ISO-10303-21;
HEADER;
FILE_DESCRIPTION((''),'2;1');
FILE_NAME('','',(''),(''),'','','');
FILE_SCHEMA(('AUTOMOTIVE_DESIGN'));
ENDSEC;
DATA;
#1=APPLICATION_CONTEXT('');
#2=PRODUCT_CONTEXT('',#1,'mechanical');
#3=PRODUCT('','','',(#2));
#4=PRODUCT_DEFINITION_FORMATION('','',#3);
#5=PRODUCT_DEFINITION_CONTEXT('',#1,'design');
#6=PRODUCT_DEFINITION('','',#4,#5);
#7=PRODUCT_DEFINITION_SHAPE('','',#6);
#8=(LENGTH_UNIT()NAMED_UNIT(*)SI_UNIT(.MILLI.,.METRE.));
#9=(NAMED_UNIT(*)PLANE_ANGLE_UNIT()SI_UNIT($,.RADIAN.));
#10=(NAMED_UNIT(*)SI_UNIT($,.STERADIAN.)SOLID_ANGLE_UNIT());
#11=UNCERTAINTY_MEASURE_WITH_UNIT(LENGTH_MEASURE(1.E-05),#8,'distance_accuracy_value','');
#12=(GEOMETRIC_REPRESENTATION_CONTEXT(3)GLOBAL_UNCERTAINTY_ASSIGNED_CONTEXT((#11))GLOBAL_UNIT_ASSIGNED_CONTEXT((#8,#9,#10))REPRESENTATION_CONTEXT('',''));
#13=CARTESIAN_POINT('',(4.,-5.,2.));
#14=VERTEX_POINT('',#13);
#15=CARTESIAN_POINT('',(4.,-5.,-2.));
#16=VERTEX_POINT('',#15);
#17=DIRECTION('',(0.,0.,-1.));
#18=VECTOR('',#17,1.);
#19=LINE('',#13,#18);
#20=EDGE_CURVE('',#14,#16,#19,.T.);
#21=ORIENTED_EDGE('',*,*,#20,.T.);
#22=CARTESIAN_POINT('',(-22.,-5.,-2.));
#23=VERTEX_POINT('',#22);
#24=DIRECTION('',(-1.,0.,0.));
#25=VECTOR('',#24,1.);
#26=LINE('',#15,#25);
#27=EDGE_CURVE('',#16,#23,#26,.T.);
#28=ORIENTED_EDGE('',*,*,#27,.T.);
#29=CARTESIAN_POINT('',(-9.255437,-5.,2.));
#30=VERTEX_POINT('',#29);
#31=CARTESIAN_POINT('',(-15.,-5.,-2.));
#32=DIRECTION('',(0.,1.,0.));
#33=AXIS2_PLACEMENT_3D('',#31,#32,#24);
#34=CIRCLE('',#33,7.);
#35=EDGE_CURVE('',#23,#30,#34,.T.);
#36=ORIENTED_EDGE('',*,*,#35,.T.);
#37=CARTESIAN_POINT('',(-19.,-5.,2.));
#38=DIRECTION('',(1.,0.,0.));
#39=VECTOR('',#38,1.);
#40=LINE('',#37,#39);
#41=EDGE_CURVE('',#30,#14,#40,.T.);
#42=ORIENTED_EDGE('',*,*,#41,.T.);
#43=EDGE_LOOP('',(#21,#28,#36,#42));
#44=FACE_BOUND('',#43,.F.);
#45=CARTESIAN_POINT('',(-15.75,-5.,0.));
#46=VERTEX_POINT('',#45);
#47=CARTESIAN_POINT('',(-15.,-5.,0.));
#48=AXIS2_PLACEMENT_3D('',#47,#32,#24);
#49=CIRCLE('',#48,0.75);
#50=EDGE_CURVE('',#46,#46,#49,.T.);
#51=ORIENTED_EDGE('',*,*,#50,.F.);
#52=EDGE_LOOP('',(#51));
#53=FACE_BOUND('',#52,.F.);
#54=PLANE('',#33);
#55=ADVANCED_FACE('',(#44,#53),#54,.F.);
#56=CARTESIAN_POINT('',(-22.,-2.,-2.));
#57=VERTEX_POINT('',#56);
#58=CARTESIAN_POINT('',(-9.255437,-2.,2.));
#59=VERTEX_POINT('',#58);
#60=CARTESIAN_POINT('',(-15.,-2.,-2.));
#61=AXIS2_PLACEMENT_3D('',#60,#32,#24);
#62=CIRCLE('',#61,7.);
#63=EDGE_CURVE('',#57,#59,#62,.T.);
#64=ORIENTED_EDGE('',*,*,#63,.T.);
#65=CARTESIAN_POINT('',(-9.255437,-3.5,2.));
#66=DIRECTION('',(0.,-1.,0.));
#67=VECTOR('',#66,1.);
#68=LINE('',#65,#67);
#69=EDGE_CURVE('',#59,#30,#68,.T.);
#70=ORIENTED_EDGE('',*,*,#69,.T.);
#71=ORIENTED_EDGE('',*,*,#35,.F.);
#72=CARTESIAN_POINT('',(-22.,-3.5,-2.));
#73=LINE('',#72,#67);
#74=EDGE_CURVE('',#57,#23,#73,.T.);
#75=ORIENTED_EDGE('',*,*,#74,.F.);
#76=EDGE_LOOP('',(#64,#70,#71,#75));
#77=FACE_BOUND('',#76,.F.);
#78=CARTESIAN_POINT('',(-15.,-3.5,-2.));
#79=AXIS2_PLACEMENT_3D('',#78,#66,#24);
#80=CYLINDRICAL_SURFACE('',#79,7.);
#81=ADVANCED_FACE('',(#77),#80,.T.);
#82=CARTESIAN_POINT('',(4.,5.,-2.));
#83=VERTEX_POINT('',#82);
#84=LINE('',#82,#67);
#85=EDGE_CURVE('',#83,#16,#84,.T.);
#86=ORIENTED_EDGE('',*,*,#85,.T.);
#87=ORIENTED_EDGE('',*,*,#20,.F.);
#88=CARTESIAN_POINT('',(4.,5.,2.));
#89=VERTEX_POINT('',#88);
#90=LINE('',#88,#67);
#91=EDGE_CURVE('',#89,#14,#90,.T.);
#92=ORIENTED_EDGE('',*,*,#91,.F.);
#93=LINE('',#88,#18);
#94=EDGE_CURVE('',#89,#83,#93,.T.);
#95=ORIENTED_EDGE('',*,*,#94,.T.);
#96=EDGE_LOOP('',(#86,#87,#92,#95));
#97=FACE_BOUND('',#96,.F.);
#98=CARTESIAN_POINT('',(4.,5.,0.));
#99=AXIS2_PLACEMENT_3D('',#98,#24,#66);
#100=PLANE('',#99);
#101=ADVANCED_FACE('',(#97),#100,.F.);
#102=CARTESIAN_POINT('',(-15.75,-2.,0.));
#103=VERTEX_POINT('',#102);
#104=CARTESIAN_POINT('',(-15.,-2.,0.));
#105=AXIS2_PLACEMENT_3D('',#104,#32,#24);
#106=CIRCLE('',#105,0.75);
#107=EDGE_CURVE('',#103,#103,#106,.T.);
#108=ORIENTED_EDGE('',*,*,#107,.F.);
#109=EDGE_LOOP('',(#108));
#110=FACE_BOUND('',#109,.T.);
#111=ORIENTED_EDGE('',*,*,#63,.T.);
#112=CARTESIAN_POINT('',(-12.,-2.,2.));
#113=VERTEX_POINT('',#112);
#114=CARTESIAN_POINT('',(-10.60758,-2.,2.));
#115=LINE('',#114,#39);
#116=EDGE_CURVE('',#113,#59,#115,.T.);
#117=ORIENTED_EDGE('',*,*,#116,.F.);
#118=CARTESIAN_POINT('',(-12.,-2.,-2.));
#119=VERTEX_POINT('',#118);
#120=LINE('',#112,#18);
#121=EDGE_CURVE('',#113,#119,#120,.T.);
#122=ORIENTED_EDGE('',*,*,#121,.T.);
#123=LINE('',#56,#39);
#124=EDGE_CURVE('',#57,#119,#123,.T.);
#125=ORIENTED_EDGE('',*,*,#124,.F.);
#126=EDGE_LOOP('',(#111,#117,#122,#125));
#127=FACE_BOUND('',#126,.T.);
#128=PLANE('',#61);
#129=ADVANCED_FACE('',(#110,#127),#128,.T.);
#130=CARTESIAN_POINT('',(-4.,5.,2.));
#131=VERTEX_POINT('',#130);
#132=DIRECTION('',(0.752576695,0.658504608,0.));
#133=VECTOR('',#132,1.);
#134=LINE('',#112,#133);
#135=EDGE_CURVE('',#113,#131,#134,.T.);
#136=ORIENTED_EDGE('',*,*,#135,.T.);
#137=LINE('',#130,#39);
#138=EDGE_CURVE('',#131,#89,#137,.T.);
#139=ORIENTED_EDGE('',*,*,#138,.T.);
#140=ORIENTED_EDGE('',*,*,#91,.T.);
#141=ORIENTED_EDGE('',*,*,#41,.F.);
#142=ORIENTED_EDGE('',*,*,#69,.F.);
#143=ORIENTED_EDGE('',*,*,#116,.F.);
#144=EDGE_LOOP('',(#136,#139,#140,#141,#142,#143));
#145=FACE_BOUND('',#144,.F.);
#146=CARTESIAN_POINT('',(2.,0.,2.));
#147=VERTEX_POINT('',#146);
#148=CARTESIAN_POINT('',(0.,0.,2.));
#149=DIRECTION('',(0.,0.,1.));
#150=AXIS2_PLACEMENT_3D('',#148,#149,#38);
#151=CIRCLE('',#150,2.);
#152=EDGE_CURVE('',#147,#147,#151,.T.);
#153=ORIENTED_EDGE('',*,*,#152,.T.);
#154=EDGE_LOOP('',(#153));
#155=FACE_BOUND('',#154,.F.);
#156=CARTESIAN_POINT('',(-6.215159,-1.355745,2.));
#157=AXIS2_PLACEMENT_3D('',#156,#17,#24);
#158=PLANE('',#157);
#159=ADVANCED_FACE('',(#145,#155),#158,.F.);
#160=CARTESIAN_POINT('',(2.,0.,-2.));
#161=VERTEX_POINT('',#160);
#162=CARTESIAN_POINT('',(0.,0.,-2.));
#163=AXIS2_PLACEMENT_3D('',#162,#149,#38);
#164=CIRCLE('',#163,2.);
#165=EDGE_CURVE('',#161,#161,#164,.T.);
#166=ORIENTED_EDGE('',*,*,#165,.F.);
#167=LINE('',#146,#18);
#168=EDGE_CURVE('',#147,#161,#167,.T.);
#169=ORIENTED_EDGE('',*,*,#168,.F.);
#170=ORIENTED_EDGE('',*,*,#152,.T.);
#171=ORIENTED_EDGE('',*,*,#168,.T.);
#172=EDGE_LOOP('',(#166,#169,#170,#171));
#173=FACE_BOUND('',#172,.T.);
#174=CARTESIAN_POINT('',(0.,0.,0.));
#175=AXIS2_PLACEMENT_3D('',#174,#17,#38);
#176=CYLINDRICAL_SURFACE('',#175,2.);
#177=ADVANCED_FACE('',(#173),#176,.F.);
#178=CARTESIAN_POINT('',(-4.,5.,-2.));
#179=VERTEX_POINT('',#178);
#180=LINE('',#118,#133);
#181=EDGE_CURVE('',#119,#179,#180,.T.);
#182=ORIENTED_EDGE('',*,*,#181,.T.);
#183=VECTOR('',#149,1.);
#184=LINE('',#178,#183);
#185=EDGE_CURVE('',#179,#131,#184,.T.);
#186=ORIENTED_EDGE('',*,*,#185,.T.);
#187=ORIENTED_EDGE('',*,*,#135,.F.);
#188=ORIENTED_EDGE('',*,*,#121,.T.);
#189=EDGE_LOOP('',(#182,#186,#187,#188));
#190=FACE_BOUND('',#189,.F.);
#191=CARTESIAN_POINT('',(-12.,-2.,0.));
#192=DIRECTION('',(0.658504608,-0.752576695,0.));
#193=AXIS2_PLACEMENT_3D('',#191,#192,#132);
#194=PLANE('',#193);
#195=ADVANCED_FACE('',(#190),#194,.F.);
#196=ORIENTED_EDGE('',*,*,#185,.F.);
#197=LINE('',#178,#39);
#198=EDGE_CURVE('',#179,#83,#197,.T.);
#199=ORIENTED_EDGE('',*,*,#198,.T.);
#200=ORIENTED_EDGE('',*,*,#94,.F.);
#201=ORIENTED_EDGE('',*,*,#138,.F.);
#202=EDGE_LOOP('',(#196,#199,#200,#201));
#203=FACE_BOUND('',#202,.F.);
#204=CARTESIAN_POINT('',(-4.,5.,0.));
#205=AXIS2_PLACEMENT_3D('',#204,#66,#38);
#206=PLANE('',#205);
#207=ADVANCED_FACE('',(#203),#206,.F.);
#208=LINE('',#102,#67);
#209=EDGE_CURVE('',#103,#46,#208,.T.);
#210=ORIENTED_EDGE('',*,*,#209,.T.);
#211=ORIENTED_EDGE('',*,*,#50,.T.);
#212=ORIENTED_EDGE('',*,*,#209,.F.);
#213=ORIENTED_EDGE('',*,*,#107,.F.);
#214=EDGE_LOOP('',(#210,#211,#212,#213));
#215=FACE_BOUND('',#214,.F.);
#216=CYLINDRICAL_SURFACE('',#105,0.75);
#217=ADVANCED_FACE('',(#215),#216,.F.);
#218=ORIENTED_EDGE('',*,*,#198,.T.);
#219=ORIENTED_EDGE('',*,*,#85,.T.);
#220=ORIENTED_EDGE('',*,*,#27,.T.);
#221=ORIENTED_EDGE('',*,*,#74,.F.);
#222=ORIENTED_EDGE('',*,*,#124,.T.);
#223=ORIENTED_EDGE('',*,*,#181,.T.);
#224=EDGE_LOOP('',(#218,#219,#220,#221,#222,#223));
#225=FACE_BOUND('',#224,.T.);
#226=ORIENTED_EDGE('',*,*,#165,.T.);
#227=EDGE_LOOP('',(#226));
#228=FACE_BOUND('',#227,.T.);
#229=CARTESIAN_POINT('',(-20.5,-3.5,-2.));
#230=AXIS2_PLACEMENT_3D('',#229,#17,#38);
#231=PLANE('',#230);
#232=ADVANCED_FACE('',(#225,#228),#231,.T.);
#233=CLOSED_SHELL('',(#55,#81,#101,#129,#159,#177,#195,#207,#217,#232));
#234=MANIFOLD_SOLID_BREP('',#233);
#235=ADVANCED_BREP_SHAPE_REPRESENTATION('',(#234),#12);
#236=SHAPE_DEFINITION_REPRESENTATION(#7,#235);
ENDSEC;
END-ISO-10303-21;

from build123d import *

# Parameters (mm, degrees)
SKETCH_R         = 2
EXTRUDE_DEPTH    = 2
SKETCH001_R      = 0.75
HOLE_DEPTH       = 3.001
SKETCH002_W      = 3
SKETCH002_H      = 3
REVOLUTION_ANGLE = -180


with BuildPart() as part:
    # Sketch → Extrude (new body, symmetric)
    with BuildSketch(Plane.XY):
        Polygon((-4, 5), (4, 5), (4, -5), (-4, -5), (-19, -5), (-19, -2), (-12, -2), align=None)
        Circle(SKETCH_R, mode=Mode.SUBTRACT)
    extrude(amount=EXTRUDE_DEPTH, both=True)

    # Sketch001 (on Face6 of Extrude) → Hole (cut, through all)
    with BuildSketch(Plane(origin=(0, -2, 0), x_dir=(-1, 0, 0), z_dir=(0, 1, 0))):
        with Locations((15, 0)):
            Circle(SKETCH001_R)
    extrude(amount=-HOLE_DEPTH, mode=Mode.SUBTRACT)

    # Sketch002 (on Face4 of Hole) → Revolution (revolve)
    with BuildSketch(Plane(origin=(0, 0, -2), x_dir=(1, 0, 0), z_dir=(0, 0, -1))):
        with Locations((-20.5, 3.5)):
            Rectangle(SKETCH002_W, SKETCH002_H)
    revolve(axis=Axis((-15, -5, -2), (0, -1, 0)), revolution_arc=REVOLUTION_ANGLE)


solid = part.part
